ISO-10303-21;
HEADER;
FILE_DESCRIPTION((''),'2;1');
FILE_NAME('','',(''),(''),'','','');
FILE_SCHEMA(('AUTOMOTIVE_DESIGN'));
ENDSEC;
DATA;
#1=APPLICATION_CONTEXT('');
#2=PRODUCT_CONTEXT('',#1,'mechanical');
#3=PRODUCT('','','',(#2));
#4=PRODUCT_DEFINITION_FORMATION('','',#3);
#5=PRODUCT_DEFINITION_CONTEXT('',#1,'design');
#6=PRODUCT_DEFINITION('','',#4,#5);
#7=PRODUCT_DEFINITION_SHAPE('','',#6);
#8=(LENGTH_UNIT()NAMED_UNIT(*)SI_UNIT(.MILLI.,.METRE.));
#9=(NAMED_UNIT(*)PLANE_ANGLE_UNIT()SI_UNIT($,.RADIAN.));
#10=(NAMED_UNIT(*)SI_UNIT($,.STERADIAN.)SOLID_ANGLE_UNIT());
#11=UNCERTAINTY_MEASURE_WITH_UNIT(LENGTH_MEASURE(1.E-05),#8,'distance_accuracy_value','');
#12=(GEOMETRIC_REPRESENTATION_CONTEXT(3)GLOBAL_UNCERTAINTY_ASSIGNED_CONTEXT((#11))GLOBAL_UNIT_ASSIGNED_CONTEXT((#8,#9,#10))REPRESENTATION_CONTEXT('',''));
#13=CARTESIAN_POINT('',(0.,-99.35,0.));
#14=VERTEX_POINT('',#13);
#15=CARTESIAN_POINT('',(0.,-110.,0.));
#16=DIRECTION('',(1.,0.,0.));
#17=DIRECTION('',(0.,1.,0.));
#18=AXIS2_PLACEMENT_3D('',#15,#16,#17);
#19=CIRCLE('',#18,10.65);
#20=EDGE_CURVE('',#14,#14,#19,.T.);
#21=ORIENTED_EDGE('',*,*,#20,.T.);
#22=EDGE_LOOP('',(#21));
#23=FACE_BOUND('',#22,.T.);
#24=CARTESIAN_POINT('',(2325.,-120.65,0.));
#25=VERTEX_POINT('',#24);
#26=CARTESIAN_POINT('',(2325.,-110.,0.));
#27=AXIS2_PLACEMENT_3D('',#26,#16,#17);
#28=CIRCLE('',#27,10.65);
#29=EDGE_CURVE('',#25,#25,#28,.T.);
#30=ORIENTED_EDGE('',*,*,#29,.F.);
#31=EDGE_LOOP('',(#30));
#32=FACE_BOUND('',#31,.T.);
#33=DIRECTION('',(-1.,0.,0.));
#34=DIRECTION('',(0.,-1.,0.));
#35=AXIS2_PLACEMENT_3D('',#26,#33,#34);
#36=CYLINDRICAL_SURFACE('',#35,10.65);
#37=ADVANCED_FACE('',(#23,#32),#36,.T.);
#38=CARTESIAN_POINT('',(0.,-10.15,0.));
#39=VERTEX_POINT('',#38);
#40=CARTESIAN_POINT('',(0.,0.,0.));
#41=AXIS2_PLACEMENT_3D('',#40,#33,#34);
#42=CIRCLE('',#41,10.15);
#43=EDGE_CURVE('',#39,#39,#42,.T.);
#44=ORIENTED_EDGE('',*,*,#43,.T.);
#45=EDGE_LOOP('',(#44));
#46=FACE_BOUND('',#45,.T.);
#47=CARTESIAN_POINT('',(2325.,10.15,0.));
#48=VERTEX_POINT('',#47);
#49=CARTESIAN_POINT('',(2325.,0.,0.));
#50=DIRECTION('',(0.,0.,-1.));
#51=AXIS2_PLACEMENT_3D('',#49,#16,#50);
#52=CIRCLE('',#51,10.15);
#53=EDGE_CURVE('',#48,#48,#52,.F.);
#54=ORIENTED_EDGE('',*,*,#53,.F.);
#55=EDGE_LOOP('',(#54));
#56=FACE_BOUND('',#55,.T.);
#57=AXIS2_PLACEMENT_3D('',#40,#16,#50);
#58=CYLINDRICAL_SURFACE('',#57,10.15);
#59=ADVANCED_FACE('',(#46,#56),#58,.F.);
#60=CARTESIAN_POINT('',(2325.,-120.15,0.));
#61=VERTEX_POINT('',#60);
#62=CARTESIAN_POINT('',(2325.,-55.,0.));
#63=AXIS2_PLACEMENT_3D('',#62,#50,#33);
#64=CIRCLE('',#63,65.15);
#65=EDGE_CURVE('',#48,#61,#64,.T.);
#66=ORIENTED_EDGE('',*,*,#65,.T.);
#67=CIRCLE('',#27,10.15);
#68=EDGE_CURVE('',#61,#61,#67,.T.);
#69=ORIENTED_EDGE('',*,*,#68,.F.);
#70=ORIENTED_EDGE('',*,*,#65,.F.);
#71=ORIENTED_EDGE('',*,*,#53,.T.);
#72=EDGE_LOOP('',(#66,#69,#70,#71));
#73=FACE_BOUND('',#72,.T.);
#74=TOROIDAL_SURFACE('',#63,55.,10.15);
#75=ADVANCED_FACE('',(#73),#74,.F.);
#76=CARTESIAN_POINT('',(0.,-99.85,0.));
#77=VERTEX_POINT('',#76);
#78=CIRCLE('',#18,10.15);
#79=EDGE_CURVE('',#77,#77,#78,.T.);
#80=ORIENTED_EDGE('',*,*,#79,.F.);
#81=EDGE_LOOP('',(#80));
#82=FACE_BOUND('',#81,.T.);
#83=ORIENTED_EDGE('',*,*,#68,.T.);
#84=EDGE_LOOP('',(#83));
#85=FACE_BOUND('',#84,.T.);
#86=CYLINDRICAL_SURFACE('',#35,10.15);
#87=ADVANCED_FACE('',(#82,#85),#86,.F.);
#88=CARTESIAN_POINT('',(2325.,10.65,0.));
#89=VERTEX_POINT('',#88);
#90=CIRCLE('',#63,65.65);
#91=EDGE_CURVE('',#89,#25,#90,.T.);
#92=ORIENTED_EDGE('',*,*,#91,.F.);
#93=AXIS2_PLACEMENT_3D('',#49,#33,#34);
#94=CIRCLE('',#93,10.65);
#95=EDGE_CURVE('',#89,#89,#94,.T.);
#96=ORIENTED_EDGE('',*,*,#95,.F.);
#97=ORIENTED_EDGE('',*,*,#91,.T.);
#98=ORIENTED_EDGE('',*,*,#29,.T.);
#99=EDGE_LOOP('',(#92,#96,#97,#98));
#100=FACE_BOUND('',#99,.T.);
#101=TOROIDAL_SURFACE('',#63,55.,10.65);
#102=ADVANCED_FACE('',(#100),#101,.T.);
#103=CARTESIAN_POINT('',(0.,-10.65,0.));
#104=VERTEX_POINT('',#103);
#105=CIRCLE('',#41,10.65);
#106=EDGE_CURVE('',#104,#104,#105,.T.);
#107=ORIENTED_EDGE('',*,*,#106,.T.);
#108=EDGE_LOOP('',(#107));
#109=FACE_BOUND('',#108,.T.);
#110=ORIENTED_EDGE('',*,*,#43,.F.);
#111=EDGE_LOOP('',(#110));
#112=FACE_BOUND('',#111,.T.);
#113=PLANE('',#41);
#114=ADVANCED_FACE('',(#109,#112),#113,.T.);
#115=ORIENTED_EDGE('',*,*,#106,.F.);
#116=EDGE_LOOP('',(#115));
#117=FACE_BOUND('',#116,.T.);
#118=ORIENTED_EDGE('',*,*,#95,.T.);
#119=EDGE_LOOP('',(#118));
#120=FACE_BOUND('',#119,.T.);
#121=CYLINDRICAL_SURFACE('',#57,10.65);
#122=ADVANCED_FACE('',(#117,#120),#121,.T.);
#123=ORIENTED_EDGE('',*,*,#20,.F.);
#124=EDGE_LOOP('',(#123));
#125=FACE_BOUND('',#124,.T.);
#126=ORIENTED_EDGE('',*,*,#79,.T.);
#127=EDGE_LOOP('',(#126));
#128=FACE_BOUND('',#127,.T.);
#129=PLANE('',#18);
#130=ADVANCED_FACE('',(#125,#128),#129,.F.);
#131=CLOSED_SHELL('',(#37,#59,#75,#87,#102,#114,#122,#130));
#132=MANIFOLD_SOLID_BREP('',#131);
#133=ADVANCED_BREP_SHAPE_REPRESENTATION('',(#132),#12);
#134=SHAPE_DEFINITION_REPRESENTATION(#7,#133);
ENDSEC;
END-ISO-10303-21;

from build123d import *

# Parameters (mm, degrees)
SWEEP_THIN1_PROFILE_R   = 10.65
SWEEP_THIN1_PROFILE_R_2 = 10.15


with BuildPart() as part:
    # Sweep-Thin1: sweep along a path in Sketch1
    with BuildLine(Plane.XY) as sweep_thin1_path:
        Line((0, 0), (2325, 0))
        ThreePointArc((2325, 0), (2380, -55), (2325, -110))
        Line((2325, -110), (0, -110))
    # Sweep-Thin1 profile (on start of the path) → Sweep-Thin1 (sweep)
    with BuildSketch(Plane(origin=(0, 0, 0), x_dir=(0, 0, 1), z_dir=(1, 0, 0))):
        Circle(SWEEP_THIN1_PROFILE_R)
        Circle(SWEEP_THIN1_PROFILE_R_2, mode=Mode.SUBTRACT)
    sweep(path=sweep_thin1_path.line)


solid = part.part
